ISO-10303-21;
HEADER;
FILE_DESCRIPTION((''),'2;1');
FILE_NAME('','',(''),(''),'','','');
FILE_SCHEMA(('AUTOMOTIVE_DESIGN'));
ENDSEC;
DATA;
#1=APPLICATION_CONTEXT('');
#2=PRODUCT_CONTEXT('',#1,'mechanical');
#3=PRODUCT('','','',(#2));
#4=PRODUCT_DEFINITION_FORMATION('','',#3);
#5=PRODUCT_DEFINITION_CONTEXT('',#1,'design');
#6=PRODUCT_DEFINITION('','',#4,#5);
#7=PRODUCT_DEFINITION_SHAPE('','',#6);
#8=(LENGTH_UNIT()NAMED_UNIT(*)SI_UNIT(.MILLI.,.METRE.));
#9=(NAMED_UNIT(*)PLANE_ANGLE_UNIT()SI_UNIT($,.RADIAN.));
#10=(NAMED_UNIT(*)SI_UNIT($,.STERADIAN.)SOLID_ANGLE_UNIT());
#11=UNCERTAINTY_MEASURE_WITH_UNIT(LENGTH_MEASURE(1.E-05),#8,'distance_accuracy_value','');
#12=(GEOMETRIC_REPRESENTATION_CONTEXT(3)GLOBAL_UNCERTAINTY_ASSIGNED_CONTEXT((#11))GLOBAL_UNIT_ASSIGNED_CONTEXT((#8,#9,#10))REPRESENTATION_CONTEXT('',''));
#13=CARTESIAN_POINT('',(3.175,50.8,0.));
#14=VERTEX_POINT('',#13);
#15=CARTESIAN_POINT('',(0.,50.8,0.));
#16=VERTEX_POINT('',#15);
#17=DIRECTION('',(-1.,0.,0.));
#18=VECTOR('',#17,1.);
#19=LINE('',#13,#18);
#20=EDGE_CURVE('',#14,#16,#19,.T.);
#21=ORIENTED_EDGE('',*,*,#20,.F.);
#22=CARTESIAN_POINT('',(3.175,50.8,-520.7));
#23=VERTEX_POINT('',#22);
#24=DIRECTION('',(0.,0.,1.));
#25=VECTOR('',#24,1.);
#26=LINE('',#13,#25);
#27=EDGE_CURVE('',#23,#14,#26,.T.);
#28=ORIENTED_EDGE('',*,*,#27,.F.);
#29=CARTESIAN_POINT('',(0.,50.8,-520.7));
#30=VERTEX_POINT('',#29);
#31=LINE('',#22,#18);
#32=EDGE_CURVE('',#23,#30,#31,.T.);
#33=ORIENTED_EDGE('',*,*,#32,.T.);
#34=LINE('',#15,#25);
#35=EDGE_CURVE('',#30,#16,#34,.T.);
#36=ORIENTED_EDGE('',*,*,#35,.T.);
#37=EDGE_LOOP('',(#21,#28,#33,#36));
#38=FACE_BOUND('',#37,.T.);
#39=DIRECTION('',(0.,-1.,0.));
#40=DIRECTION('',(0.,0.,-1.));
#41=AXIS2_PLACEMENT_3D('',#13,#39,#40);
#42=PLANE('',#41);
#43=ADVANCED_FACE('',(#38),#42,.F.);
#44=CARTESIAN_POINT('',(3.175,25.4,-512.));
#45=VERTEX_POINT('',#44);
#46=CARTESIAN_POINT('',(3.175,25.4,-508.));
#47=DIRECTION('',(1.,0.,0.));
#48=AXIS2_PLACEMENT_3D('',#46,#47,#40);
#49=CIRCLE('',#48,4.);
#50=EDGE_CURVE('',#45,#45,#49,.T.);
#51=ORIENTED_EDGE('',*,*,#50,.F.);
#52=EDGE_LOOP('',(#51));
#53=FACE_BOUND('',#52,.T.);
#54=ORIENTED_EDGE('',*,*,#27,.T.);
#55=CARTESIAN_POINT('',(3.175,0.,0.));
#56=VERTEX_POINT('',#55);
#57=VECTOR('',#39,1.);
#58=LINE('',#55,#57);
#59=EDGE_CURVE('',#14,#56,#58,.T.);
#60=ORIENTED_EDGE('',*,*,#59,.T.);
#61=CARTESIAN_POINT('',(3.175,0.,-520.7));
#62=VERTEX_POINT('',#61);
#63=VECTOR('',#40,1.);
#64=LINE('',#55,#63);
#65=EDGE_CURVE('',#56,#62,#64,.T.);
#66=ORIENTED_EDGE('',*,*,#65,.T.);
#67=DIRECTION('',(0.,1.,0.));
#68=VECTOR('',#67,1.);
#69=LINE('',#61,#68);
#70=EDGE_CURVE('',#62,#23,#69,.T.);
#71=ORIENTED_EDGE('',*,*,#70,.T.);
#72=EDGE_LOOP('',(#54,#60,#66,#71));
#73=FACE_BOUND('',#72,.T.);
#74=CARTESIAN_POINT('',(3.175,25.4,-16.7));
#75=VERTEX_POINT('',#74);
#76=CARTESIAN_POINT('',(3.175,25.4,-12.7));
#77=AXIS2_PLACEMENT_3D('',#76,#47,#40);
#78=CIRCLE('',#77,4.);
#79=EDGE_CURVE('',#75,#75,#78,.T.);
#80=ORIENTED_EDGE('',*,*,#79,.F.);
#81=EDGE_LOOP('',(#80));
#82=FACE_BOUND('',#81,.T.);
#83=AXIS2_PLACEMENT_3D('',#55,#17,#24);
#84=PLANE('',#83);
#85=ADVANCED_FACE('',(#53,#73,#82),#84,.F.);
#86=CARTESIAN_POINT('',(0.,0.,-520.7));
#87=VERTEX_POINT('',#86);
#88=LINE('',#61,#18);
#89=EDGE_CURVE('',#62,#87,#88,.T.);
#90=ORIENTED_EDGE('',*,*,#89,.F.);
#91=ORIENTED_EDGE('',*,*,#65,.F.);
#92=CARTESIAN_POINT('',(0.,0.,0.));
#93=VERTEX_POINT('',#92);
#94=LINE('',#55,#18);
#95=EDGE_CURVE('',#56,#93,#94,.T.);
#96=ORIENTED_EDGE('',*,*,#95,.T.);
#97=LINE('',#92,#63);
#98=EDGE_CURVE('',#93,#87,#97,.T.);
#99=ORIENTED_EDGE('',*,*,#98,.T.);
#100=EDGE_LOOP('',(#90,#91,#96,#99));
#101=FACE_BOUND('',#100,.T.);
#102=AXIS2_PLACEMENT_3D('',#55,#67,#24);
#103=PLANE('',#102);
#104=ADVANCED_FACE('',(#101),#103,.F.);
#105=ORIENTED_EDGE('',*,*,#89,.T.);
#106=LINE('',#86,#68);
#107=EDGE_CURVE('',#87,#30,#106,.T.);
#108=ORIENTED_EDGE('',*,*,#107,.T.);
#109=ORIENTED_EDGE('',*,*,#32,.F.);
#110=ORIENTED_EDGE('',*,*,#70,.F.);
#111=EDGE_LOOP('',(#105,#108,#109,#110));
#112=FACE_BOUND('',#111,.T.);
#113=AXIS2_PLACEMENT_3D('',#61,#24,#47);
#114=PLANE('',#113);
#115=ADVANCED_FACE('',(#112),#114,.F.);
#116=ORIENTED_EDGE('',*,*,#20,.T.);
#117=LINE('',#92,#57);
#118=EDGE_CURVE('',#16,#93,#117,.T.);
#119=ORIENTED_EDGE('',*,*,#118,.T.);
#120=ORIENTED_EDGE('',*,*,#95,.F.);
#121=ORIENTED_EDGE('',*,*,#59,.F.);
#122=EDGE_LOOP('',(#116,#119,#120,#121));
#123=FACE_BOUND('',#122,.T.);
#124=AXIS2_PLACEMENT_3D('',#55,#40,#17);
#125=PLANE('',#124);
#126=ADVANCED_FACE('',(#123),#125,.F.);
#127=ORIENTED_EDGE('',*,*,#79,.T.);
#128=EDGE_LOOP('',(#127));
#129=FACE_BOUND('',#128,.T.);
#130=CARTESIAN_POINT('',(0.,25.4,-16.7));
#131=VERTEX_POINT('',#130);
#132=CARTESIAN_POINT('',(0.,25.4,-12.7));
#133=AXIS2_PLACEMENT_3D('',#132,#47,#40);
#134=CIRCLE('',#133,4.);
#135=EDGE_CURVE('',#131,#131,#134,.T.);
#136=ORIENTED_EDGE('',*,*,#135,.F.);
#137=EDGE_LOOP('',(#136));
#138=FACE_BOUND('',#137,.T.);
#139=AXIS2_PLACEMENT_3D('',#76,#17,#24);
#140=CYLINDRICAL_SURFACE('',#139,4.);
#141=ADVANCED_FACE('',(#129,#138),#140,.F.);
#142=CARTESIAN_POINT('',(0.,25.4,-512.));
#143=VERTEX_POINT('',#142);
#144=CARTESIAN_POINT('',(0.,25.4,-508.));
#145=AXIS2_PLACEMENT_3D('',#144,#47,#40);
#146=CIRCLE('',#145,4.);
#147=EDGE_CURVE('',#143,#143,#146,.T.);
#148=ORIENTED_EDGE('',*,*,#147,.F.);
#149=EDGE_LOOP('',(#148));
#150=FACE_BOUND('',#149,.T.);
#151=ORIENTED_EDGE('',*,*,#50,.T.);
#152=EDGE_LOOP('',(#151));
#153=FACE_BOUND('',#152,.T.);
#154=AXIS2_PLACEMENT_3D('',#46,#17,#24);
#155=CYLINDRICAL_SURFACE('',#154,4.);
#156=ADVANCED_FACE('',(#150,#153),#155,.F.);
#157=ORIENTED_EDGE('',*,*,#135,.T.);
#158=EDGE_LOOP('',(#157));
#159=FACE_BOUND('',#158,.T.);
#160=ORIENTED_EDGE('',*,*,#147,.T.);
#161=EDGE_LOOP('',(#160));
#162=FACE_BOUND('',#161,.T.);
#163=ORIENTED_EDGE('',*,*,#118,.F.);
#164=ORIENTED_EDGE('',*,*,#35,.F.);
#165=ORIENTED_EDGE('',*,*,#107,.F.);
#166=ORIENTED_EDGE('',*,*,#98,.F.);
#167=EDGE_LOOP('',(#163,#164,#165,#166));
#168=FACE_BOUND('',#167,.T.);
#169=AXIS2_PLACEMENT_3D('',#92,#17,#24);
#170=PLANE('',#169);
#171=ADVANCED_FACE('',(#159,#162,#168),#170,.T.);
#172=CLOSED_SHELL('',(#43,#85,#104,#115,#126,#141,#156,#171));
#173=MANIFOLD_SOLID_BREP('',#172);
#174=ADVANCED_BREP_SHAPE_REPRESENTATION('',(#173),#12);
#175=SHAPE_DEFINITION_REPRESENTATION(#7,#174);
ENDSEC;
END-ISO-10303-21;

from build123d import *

# Parameters (mm, degrees)
SKETCH1_W           = 520.7
SKETCH1_H           = 50.8
SKETCH1_R           = 4
BOSS_EXTRUDE2_DEPTH = 3.175


with BuildPart() as part:
    # Sketch1 → Boss-Extrude2 (new body)
    with BuildSketch(Plane(origin=(0, 0, 0), x_dir=(0, 0, -1), z_dir=(1, 0, 0))):
        with Locations((260.35, 25.4)):
            Rectangle(SKETCH1_W, SKETCH1_H)
        with Locations((12.7, 25.4)):
            Circle(SKETCH1_R, mode=Mode.SUBTRACT)
        with Locations((508, 25.4)):
            Circle(SKETCH1_R, mode=Mode.SUBTRACT)
    extrude(amount=BOSS_EXTRUDE2_DEPTH)


solid = part.part
